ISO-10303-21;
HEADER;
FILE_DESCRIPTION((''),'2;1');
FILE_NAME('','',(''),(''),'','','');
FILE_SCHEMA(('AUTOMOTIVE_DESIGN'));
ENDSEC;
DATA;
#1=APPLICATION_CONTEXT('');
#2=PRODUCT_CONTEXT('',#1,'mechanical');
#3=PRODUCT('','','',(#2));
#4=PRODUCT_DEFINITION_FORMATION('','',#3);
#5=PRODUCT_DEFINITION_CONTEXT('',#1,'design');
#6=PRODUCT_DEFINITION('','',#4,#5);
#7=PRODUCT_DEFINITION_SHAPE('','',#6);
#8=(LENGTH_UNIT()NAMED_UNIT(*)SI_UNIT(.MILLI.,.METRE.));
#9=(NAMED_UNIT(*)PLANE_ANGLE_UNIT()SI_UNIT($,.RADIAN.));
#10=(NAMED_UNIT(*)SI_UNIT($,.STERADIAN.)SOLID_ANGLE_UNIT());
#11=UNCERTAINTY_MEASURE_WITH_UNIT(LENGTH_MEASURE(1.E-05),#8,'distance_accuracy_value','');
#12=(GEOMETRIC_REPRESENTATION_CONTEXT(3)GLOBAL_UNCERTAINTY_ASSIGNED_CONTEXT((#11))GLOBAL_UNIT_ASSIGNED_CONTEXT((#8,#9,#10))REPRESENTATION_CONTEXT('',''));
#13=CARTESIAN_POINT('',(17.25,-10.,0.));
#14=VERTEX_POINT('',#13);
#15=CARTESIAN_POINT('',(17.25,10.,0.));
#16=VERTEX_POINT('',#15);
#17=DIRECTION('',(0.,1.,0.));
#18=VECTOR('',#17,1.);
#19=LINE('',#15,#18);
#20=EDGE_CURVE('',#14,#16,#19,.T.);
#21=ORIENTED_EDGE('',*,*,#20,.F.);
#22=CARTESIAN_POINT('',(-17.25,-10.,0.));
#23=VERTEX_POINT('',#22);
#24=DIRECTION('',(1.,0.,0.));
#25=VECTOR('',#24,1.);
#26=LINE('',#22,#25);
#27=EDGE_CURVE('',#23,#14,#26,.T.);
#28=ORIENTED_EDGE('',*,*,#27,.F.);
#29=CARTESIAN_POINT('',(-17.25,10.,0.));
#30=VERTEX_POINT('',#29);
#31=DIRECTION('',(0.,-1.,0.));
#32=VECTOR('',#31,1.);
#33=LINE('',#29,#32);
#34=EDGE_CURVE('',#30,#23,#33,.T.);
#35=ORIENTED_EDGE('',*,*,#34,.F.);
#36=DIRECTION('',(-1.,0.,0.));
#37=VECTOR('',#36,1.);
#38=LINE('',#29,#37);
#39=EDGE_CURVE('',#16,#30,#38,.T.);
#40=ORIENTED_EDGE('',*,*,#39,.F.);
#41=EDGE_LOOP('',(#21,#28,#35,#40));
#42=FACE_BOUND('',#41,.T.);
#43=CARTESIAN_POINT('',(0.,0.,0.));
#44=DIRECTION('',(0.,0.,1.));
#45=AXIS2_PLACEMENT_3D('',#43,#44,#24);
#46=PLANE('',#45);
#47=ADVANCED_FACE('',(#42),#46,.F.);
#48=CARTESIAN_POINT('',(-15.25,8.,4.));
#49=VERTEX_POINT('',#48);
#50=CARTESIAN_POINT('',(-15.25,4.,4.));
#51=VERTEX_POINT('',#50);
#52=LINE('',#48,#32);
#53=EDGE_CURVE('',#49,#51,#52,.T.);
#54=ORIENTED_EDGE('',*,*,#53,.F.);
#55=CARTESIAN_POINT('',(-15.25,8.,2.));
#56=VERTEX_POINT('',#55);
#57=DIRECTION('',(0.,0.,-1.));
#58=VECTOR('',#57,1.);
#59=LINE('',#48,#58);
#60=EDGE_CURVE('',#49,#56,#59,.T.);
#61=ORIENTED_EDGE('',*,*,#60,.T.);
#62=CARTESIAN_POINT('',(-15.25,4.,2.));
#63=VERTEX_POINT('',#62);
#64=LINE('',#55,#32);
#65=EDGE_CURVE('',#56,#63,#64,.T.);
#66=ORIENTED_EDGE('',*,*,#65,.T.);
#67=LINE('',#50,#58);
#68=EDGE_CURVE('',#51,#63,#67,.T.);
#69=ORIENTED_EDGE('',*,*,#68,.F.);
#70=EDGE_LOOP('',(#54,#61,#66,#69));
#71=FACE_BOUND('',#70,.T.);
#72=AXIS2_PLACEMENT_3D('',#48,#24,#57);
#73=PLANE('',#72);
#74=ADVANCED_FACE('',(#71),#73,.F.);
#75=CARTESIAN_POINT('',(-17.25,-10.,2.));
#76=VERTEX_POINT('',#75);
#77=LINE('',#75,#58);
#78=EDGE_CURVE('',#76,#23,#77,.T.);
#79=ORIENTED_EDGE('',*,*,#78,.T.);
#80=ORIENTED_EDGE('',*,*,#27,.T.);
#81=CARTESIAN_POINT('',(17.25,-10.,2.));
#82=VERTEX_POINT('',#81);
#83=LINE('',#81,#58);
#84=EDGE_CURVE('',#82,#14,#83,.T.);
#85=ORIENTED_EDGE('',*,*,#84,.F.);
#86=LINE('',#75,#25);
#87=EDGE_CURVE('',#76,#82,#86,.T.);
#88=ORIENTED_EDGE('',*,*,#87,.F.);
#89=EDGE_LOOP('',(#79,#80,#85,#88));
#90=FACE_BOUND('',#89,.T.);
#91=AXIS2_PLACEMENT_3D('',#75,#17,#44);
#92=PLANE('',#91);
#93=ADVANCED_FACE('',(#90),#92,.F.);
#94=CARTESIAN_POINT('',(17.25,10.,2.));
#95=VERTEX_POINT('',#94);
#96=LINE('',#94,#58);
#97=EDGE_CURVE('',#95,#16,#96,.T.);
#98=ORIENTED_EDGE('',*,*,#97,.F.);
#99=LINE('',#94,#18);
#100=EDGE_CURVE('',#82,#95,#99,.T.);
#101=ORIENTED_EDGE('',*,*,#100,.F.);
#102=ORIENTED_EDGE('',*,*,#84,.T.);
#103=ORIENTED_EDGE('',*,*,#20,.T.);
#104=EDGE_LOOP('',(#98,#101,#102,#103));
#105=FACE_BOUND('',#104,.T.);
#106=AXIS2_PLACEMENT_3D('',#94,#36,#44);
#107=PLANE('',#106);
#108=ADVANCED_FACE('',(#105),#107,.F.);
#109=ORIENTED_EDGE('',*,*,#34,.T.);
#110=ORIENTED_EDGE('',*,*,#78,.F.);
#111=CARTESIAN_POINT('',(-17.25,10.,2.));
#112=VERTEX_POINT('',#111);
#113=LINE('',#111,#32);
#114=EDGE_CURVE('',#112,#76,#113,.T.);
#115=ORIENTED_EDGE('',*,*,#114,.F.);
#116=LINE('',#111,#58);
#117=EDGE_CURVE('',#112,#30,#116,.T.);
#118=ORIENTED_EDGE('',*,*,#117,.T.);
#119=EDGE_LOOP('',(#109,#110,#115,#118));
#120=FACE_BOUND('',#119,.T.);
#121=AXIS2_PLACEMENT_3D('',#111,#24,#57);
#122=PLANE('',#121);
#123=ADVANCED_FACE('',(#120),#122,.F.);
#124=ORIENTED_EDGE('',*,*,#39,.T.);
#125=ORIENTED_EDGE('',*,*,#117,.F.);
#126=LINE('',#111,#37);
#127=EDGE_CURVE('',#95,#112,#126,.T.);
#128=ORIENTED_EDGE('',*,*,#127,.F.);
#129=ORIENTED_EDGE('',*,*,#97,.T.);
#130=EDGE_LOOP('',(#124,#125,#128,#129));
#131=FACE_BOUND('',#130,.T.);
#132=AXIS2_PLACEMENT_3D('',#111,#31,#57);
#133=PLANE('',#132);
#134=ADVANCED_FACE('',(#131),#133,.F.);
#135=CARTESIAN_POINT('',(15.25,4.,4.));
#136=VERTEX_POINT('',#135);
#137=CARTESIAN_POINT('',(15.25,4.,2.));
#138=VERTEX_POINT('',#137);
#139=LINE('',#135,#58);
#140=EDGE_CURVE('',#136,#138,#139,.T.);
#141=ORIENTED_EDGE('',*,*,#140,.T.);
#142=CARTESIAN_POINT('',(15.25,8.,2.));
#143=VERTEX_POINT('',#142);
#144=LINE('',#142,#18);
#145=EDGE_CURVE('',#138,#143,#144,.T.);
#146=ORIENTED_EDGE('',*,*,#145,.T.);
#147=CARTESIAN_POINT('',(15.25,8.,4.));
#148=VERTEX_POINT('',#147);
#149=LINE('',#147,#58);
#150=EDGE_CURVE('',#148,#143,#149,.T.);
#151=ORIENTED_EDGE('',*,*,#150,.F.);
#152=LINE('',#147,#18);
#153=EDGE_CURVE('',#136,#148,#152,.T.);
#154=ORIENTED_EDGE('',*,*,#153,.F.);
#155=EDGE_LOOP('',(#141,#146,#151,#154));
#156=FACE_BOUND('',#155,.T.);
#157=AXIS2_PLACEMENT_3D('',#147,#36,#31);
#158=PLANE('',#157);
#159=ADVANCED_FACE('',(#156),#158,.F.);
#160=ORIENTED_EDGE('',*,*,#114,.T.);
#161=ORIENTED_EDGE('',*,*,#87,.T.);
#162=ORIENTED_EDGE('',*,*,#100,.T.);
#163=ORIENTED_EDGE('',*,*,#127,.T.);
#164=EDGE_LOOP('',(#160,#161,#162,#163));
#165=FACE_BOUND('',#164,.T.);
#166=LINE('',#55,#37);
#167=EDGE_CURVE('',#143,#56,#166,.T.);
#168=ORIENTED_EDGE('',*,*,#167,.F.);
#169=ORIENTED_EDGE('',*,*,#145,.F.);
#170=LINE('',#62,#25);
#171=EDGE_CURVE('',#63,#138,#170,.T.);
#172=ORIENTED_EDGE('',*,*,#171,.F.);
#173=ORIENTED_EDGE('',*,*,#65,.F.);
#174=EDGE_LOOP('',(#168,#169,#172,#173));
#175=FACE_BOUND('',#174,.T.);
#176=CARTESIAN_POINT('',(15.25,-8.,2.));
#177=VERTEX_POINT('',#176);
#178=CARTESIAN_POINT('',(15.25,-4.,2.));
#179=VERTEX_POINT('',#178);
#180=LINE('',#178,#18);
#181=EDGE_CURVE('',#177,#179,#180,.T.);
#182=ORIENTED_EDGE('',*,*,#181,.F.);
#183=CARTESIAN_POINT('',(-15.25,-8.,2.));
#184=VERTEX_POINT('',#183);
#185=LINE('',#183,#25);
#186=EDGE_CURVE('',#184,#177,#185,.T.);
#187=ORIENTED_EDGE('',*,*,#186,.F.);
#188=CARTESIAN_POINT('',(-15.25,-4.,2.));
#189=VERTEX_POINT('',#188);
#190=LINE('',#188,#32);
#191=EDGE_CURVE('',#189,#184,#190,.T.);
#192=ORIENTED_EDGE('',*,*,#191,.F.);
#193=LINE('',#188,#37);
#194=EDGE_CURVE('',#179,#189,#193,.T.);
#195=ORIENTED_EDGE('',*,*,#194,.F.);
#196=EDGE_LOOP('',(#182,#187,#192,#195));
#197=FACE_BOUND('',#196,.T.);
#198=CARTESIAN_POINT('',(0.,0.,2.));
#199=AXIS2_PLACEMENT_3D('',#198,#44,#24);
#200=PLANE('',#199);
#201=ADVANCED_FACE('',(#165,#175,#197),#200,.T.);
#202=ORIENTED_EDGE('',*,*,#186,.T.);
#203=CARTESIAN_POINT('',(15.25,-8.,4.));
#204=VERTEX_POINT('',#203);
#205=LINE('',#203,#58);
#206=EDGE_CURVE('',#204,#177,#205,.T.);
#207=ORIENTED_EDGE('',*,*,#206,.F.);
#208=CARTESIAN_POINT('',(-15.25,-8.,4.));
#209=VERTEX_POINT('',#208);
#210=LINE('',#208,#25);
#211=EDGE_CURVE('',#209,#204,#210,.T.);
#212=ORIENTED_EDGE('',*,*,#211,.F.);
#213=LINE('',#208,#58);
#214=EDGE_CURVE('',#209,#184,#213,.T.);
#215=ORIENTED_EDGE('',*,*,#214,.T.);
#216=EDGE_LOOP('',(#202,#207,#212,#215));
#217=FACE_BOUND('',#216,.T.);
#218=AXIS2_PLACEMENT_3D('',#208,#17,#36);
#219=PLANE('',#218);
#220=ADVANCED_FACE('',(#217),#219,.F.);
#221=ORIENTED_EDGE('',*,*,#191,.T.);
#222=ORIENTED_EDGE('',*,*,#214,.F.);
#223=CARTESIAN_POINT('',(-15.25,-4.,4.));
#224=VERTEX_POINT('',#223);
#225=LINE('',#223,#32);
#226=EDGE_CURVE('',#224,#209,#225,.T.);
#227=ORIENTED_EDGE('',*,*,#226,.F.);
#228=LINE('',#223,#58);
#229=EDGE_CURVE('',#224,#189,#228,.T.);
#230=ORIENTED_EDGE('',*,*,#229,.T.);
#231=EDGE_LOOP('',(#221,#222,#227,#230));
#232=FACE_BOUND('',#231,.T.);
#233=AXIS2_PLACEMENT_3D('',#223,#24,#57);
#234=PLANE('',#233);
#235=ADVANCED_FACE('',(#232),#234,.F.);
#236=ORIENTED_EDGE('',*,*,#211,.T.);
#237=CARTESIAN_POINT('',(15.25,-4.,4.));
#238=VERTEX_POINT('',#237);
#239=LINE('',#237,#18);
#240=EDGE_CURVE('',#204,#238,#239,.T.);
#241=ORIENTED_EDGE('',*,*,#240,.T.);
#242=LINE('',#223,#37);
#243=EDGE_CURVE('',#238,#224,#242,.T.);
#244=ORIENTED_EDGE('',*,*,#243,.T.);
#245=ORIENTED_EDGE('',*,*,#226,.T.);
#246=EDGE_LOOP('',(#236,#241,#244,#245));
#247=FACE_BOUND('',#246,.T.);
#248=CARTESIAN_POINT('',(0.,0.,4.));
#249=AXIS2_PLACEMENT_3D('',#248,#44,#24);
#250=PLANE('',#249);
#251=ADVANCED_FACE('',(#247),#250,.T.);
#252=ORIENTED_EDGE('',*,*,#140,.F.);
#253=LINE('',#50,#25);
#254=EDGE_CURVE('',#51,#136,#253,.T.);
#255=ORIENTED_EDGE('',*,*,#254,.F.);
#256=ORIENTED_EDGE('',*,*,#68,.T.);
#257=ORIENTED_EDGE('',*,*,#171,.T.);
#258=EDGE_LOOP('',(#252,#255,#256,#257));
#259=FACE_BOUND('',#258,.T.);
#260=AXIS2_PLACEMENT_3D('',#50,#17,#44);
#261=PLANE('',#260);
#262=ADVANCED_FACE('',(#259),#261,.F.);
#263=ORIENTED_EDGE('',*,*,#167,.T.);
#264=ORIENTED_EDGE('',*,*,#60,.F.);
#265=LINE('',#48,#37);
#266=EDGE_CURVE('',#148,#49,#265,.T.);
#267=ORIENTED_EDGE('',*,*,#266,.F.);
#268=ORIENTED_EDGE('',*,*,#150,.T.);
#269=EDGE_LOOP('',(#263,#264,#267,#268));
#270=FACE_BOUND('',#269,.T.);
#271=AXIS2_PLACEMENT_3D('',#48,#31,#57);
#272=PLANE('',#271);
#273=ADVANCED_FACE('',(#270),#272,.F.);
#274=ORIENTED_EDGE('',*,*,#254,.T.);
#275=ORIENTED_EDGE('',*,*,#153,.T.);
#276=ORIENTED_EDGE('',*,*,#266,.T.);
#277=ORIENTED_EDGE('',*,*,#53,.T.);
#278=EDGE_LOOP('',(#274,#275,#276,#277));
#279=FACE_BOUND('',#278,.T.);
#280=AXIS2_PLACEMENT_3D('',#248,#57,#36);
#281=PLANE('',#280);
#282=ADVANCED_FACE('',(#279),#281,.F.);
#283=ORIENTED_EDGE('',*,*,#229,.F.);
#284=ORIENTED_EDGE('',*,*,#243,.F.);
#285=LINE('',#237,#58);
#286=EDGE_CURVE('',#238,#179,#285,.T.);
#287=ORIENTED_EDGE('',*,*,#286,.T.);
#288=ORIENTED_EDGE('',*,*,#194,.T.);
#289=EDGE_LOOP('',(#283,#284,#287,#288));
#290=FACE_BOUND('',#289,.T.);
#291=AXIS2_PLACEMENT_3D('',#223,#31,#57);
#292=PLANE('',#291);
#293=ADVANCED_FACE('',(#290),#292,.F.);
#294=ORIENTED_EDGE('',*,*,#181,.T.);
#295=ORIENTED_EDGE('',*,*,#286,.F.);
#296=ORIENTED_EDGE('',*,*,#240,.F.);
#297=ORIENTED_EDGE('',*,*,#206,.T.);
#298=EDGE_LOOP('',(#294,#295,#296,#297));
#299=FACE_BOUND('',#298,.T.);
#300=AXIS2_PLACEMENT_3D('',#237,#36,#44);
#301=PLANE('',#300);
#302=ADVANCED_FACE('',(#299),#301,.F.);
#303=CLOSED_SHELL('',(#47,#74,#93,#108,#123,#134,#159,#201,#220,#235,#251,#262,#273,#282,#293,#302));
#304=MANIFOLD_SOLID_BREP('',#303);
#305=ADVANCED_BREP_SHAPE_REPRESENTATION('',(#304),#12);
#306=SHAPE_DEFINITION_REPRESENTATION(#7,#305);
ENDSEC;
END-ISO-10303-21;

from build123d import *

# Parameters (mm, degrees)
SKETCH1_W           = 34.5
SKETCH1_H           = 20
BOSS_EXTRUDE1_DEPTH = 2
SKETCH2_W           = 30.5
SKETCH2_H           = 4
BOSS_EXTRUDE2_DEPTH = 2


with BuildPart() as part:
    # Sketch1 → Boss-Extrude1 (new body)
    with BuildSketch(Plane.XY):
        Rectangle(SKETCH1_W, SKETCH1_H)
    extrude(amount=BOSS_EXTRUDE1_DEPTH)

    # Sketch2 → Boss-Extrude2 (add)
    with BuildSketch(Plane.XY.offset(2)):
        with Locations((0, 6)):
            Rectangle(SKETCH2_W, SKETCH2_H)
        with Locations((0, -6)):
            Rectangle(SKETCH2_W, SKETCH2_H)
    extrude(amount=BOSS_EXTRUDE2_DEPTH)


solid = part.part
